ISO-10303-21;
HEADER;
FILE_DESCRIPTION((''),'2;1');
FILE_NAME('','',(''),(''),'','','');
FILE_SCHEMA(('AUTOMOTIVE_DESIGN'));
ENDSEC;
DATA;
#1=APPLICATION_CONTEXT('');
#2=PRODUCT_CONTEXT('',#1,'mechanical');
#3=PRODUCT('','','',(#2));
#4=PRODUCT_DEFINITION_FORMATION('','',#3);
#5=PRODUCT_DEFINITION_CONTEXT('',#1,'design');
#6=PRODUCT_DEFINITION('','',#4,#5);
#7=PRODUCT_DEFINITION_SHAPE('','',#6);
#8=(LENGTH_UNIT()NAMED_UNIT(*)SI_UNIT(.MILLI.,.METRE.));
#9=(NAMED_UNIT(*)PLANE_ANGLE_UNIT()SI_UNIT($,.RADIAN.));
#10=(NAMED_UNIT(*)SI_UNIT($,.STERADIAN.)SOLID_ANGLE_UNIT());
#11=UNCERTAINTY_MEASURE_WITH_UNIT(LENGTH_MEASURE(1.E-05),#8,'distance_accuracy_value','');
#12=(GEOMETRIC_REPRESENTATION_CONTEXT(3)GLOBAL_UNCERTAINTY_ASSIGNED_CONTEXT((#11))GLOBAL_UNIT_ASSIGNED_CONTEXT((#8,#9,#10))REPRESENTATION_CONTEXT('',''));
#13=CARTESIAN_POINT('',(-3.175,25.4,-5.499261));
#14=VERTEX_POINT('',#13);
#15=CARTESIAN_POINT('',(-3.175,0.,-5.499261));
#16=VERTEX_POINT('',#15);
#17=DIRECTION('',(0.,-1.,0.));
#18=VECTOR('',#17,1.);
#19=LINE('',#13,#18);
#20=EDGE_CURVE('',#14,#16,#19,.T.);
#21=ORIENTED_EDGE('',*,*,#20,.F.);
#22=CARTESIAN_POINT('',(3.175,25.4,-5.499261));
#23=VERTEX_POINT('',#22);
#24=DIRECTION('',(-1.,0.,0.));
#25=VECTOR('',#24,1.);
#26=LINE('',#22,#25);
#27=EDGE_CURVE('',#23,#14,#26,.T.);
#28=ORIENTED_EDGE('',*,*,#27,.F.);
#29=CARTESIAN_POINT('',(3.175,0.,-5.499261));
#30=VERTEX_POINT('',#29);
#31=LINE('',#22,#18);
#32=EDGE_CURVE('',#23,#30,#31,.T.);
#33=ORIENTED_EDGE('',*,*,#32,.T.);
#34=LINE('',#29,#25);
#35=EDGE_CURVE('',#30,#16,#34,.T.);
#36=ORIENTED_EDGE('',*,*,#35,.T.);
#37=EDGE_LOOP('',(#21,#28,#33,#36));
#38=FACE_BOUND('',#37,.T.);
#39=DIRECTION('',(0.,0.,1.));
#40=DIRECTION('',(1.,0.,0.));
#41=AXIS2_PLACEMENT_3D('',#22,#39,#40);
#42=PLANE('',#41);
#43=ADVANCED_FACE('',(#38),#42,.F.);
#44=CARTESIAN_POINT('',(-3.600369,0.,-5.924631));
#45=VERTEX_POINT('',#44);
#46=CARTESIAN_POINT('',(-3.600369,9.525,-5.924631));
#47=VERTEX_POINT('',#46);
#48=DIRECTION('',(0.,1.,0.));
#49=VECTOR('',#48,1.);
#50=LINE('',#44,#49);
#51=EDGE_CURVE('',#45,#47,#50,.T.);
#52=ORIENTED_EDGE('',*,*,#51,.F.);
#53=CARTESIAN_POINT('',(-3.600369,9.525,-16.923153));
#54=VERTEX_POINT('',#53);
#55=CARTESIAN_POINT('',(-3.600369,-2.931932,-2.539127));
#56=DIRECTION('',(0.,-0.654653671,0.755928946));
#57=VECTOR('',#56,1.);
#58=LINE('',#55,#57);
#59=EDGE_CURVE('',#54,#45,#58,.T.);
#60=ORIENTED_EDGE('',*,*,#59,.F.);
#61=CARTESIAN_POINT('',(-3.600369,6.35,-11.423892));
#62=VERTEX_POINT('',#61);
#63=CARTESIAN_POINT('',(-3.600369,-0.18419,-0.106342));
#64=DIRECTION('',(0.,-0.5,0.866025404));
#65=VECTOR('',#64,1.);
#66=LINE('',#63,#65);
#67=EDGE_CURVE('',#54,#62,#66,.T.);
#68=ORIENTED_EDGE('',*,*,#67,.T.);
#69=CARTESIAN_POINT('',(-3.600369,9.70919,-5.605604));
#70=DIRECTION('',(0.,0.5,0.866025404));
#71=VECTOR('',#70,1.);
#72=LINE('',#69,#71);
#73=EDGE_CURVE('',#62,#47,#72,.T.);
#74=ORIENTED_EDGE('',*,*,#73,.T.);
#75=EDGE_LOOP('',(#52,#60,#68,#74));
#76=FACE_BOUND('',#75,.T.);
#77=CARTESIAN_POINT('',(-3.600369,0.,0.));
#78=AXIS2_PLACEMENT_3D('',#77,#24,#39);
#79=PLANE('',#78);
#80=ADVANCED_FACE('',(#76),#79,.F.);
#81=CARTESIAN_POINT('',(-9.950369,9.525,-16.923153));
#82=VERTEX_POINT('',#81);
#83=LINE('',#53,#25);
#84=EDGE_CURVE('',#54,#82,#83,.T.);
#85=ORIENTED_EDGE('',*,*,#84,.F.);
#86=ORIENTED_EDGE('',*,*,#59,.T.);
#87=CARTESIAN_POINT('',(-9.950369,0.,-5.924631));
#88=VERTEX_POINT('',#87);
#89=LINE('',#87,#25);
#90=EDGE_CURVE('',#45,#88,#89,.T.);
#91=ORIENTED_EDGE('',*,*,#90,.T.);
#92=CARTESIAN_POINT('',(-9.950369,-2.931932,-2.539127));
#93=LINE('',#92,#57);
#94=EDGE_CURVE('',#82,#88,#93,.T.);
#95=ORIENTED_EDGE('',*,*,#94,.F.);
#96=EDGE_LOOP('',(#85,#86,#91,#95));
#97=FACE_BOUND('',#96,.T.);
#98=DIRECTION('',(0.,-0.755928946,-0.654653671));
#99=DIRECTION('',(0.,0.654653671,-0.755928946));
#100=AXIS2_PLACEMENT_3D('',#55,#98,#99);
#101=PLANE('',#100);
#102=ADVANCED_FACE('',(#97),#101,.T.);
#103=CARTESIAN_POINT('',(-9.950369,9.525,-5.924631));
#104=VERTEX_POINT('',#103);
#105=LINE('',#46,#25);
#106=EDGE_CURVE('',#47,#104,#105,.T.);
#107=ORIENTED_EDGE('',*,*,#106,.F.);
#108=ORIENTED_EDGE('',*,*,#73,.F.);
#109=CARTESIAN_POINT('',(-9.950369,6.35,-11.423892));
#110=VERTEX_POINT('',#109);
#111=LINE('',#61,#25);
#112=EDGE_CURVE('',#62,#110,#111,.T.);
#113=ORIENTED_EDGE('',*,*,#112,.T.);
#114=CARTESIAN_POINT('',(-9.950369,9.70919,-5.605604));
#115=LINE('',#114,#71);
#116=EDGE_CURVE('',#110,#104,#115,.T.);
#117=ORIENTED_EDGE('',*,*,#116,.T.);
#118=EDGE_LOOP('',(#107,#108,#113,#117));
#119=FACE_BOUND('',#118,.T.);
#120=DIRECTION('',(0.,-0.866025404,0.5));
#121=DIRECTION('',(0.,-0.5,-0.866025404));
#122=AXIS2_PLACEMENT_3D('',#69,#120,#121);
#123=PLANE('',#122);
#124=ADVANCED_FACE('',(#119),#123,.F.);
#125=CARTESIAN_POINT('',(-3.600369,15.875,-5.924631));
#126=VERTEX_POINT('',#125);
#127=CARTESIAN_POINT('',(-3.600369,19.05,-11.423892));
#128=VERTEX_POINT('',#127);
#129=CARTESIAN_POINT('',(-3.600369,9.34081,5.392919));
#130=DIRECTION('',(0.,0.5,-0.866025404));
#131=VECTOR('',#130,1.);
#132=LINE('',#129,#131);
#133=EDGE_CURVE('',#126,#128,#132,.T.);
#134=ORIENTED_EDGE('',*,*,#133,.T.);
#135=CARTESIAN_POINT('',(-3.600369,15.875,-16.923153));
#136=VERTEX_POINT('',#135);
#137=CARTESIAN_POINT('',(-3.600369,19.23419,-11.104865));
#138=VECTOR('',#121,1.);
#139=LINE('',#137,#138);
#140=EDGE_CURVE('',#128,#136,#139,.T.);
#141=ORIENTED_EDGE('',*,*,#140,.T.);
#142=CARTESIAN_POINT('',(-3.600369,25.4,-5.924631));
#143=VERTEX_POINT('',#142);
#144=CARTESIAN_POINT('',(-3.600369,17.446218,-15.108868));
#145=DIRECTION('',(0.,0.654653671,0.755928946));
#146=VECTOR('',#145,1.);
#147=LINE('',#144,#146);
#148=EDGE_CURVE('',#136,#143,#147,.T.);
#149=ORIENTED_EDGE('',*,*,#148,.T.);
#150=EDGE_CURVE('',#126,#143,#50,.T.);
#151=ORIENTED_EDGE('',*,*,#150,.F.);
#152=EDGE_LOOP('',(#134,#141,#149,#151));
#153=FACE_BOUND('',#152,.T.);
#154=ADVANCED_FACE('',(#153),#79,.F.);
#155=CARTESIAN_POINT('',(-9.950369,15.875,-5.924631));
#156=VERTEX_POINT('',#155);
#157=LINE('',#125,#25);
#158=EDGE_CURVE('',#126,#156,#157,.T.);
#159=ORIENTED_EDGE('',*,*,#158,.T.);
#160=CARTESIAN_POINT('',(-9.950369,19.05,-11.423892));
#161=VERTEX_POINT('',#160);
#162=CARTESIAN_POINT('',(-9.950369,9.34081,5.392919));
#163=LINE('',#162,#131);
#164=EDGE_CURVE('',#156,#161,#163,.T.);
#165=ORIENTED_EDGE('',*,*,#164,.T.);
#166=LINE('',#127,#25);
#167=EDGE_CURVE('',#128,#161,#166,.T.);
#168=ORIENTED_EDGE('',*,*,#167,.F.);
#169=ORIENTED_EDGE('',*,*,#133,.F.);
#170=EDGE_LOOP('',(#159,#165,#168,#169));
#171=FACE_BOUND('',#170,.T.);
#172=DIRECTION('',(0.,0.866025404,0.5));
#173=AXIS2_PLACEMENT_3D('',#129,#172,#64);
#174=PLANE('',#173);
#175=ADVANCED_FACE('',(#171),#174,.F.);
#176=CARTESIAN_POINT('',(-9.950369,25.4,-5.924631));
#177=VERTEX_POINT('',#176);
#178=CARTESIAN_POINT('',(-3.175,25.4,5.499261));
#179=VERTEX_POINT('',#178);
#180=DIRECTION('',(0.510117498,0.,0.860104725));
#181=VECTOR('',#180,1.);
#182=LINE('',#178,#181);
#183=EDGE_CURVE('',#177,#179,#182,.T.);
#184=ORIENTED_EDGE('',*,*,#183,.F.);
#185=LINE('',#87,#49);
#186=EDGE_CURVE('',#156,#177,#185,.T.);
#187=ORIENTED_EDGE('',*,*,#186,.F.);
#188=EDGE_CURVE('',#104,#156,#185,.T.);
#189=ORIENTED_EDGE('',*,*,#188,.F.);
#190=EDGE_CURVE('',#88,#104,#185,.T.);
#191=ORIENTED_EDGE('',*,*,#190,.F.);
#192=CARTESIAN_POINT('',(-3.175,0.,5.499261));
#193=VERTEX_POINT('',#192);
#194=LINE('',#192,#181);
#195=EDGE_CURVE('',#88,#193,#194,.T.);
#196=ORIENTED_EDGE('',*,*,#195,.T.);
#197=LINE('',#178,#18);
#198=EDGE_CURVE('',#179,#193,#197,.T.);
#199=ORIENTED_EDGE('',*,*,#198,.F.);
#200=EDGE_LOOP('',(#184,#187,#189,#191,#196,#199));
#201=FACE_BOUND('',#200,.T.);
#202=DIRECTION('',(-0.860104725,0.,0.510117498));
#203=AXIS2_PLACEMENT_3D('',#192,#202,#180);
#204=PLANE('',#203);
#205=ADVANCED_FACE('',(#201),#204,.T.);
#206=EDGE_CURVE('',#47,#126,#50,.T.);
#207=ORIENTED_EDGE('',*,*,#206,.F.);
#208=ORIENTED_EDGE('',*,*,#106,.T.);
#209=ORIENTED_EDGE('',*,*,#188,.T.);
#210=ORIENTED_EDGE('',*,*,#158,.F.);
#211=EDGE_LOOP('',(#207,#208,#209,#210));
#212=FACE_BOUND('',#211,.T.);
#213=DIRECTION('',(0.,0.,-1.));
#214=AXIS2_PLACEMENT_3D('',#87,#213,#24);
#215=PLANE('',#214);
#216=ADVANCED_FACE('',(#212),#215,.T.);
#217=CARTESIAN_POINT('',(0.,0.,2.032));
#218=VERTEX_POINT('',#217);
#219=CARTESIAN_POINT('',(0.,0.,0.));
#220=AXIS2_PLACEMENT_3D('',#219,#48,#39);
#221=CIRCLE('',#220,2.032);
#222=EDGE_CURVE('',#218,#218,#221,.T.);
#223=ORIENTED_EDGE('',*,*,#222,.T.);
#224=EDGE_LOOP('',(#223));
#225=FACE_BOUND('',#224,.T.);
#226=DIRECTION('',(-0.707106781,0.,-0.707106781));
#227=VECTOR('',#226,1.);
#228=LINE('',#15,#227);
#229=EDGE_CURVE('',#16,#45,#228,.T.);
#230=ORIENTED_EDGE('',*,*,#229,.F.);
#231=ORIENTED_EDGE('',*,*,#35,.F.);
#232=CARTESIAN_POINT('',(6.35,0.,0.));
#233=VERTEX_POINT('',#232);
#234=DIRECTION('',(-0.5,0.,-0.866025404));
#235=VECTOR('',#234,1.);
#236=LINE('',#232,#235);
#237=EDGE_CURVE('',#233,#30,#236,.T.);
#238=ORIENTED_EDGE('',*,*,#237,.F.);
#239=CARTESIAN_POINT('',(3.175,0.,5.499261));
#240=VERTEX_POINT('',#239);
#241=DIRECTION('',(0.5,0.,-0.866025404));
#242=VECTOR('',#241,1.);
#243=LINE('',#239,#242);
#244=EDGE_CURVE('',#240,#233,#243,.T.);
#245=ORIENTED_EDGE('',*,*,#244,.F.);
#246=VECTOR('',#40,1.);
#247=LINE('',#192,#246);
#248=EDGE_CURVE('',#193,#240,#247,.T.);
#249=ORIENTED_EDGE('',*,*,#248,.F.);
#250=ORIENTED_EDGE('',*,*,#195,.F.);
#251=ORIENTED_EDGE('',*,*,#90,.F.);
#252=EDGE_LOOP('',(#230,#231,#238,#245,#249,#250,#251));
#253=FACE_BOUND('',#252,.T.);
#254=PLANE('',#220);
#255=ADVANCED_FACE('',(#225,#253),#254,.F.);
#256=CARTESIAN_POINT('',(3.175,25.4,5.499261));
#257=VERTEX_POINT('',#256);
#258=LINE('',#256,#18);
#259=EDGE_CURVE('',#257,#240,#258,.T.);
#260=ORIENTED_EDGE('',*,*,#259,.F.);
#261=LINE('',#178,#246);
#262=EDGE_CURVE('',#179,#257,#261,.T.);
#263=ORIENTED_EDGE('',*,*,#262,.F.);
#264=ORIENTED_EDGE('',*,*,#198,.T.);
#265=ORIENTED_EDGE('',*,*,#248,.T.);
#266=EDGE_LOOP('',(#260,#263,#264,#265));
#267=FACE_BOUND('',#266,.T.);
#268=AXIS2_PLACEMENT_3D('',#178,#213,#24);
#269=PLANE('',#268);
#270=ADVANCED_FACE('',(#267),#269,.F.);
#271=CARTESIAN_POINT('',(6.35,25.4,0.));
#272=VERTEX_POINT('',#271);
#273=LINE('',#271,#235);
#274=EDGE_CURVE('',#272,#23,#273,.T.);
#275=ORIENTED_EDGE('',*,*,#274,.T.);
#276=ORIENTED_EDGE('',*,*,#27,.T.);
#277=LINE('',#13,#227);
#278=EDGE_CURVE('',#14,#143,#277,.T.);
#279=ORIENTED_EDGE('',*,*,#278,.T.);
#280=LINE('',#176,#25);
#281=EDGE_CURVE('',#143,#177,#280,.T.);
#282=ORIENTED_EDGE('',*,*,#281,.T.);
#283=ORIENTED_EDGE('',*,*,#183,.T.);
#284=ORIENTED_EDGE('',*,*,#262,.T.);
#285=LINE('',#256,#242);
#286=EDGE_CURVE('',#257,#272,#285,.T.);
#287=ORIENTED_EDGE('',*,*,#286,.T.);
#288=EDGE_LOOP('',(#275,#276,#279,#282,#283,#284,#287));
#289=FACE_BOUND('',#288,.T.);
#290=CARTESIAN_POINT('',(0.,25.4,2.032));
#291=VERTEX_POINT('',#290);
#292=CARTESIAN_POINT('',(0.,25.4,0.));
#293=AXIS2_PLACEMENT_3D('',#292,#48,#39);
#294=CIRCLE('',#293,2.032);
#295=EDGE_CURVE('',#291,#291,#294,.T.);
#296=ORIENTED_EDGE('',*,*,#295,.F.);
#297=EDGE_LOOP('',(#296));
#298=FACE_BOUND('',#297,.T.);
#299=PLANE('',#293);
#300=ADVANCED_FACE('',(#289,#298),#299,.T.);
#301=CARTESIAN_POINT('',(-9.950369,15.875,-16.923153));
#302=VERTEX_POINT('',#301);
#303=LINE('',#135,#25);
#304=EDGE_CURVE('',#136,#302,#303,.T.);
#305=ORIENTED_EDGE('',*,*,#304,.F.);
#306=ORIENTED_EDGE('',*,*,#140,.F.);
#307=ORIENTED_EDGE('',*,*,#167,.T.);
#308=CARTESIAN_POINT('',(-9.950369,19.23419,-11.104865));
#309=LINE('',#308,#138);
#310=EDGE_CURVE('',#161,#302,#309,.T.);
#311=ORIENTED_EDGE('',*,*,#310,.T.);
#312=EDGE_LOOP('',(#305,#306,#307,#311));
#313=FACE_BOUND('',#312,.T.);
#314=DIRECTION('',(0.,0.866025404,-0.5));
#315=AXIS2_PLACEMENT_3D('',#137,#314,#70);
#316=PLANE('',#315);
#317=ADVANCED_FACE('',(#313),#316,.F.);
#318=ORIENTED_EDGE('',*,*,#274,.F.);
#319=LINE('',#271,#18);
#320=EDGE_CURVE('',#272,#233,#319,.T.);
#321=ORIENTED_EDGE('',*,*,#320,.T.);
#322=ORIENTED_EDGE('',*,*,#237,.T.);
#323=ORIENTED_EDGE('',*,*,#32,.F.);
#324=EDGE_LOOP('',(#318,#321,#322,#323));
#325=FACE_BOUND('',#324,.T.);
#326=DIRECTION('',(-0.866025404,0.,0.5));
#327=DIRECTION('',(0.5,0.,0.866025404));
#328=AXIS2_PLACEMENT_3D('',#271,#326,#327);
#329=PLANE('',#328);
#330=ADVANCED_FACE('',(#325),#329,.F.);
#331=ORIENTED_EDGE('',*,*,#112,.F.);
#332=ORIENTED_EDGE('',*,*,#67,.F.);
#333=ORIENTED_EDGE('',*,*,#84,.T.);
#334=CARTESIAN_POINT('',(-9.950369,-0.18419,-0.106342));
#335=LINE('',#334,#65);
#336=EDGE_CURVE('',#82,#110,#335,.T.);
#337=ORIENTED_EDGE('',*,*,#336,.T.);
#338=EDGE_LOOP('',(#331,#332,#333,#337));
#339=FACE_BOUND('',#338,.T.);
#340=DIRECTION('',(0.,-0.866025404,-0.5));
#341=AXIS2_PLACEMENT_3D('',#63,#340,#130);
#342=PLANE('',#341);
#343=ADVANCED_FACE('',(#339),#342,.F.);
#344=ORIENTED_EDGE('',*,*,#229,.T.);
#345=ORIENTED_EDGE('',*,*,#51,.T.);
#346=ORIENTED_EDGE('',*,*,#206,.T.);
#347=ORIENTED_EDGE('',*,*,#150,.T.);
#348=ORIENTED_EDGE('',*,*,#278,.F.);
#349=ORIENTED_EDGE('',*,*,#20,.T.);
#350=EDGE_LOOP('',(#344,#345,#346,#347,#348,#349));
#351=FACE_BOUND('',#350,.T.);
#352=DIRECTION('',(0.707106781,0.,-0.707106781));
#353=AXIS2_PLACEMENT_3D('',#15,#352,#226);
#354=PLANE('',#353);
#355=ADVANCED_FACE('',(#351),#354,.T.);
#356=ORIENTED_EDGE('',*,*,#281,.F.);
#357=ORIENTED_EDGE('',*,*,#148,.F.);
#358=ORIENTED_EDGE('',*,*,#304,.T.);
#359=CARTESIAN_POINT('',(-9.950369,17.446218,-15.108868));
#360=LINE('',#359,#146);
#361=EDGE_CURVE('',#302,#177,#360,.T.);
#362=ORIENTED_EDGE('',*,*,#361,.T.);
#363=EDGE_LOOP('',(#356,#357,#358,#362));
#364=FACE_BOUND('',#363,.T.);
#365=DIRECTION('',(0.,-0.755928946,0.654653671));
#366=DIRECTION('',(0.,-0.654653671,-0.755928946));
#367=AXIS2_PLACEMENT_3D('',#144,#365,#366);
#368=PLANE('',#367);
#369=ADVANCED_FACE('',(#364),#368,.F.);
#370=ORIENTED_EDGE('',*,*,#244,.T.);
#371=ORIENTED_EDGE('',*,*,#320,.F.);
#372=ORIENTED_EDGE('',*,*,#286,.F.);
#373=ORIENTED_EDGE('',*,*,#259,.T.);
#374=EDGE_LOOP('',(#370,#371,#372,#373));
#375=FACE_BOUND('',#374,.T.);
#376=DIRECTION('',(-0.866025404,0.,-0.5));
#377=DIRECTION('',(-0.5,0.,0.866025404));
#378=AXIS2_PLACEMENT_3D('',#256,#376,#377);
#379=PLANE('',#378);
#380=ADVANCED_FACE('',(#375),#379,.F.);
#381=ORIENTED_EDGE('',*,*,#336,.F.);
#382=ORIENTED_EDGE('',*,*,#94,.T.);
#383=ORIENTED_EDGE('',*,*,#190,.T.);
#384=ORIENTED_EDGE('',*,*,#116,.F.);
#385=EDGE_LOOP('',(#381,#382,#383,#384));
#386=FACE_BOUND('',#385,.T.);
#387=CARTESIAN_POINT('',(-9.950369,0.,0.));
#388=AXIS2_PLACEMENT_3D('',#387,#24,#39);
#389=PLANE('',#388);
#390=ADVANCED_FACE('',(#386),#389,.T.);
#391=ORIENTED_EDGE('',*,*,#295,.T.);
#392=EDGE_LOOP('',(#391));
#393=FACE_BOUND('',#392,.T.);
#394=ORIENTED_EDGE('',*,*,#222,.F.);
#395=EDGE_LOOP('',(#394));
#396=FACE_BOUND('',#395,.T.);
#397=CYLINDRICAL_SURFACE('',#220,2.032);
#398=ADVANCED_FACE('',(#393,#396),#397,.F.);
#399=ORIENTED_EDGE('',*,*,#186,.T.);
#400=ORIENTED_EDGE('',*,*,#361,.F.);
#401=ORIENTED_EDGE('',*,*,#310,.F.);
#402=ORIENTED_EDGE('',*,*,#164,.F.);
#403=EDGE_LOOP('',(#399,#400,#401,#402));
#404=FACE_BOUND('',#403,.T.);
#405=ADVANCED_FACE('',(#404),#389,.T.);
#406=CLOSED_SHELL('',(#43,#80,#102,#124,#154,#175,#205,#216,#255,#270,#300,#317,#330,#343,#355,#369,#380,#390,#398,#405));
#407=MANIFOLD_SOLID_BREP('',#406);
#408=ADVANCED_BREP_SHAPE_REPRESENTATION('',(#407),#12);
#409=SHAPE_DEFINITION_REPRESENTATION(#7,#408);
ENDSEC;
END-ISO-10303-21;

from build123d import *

# Parameters (mm, degrees)
BOSS_EXTRUDE1_DEPTH = 25.4
SKETCH3_R           = 2.032
CUT_EXTRUDE1_DEPTH  = 25.4
BOSS_EXTRUDE2_DEPTH = 25.4
BOSS_EXTRUDE4_DEPTH = 6.35


with BuildPart() as part:
    # Sketch1 → Boss-Extrude1 (new body)
    with BuildSketch(Plane(origin=(0, 0, 0), x_dir=(1, 0, 0), z_dir=(0, 1, 0))):
        Polygon((3.175, 5.499261314), (-3.175, 5.499261314), (-6.35, 0), (-3.175, -5.499261314), (3.175, -5.499261314), (6.35, 0), align=None)
    extrude(amount=BOSS_EXTRUDE1_DEPTH)

    # Sketch3 → Cut-Extrude1 (cut)
    with BuildSketch(Plane(origin=(0, 25.4, 0), x_dir=(1, 0, 0), z_dir=(0, 1, 0))):
        with Locations(Location((0, 0, 0), (0, 0, 270))):
            Circle(SKETCH3_R)
    extrude(amount=-CUT_EXTRUDE1_DEPTH, mode=Mode.SUBTRACT)

    # Sketch2 → Boss-Extrude2 (add)
    with BuildSketch(Plane(origin=(0, 25.4, 0), x_dir=(1, 0, 0), z_dir=(0, 1, 0))):
        Polygon((-3.175, -5.499261314), (-9.950369343, 5.924630657), (-3.600369343, 5.924630657), (-3.175, 5.499261314), (-6.35, 0), align=None)
    extrude(amount=-BOSS_EXTRUDE2_DEPTH)

    # Sketch5 → Boss-Extrude4 (add)
    with BuildSketch(Plane.ZY.offset(9.950369343)):
        Polygon((-5.924630657, 15.875), (-11.423891971, 19.05), (-16.923153285, 15.875), (-5.924630657, 25.4), align=None)
        Polygon((-16.923153285, 9.525), (-5.924630657, 0), (-5.924630657, 9.525), (-11.423891971, 6.35), align=None)
    extrude(amount=-BOSS_EXTRUDE4_DEPTH)


solid = part.part
